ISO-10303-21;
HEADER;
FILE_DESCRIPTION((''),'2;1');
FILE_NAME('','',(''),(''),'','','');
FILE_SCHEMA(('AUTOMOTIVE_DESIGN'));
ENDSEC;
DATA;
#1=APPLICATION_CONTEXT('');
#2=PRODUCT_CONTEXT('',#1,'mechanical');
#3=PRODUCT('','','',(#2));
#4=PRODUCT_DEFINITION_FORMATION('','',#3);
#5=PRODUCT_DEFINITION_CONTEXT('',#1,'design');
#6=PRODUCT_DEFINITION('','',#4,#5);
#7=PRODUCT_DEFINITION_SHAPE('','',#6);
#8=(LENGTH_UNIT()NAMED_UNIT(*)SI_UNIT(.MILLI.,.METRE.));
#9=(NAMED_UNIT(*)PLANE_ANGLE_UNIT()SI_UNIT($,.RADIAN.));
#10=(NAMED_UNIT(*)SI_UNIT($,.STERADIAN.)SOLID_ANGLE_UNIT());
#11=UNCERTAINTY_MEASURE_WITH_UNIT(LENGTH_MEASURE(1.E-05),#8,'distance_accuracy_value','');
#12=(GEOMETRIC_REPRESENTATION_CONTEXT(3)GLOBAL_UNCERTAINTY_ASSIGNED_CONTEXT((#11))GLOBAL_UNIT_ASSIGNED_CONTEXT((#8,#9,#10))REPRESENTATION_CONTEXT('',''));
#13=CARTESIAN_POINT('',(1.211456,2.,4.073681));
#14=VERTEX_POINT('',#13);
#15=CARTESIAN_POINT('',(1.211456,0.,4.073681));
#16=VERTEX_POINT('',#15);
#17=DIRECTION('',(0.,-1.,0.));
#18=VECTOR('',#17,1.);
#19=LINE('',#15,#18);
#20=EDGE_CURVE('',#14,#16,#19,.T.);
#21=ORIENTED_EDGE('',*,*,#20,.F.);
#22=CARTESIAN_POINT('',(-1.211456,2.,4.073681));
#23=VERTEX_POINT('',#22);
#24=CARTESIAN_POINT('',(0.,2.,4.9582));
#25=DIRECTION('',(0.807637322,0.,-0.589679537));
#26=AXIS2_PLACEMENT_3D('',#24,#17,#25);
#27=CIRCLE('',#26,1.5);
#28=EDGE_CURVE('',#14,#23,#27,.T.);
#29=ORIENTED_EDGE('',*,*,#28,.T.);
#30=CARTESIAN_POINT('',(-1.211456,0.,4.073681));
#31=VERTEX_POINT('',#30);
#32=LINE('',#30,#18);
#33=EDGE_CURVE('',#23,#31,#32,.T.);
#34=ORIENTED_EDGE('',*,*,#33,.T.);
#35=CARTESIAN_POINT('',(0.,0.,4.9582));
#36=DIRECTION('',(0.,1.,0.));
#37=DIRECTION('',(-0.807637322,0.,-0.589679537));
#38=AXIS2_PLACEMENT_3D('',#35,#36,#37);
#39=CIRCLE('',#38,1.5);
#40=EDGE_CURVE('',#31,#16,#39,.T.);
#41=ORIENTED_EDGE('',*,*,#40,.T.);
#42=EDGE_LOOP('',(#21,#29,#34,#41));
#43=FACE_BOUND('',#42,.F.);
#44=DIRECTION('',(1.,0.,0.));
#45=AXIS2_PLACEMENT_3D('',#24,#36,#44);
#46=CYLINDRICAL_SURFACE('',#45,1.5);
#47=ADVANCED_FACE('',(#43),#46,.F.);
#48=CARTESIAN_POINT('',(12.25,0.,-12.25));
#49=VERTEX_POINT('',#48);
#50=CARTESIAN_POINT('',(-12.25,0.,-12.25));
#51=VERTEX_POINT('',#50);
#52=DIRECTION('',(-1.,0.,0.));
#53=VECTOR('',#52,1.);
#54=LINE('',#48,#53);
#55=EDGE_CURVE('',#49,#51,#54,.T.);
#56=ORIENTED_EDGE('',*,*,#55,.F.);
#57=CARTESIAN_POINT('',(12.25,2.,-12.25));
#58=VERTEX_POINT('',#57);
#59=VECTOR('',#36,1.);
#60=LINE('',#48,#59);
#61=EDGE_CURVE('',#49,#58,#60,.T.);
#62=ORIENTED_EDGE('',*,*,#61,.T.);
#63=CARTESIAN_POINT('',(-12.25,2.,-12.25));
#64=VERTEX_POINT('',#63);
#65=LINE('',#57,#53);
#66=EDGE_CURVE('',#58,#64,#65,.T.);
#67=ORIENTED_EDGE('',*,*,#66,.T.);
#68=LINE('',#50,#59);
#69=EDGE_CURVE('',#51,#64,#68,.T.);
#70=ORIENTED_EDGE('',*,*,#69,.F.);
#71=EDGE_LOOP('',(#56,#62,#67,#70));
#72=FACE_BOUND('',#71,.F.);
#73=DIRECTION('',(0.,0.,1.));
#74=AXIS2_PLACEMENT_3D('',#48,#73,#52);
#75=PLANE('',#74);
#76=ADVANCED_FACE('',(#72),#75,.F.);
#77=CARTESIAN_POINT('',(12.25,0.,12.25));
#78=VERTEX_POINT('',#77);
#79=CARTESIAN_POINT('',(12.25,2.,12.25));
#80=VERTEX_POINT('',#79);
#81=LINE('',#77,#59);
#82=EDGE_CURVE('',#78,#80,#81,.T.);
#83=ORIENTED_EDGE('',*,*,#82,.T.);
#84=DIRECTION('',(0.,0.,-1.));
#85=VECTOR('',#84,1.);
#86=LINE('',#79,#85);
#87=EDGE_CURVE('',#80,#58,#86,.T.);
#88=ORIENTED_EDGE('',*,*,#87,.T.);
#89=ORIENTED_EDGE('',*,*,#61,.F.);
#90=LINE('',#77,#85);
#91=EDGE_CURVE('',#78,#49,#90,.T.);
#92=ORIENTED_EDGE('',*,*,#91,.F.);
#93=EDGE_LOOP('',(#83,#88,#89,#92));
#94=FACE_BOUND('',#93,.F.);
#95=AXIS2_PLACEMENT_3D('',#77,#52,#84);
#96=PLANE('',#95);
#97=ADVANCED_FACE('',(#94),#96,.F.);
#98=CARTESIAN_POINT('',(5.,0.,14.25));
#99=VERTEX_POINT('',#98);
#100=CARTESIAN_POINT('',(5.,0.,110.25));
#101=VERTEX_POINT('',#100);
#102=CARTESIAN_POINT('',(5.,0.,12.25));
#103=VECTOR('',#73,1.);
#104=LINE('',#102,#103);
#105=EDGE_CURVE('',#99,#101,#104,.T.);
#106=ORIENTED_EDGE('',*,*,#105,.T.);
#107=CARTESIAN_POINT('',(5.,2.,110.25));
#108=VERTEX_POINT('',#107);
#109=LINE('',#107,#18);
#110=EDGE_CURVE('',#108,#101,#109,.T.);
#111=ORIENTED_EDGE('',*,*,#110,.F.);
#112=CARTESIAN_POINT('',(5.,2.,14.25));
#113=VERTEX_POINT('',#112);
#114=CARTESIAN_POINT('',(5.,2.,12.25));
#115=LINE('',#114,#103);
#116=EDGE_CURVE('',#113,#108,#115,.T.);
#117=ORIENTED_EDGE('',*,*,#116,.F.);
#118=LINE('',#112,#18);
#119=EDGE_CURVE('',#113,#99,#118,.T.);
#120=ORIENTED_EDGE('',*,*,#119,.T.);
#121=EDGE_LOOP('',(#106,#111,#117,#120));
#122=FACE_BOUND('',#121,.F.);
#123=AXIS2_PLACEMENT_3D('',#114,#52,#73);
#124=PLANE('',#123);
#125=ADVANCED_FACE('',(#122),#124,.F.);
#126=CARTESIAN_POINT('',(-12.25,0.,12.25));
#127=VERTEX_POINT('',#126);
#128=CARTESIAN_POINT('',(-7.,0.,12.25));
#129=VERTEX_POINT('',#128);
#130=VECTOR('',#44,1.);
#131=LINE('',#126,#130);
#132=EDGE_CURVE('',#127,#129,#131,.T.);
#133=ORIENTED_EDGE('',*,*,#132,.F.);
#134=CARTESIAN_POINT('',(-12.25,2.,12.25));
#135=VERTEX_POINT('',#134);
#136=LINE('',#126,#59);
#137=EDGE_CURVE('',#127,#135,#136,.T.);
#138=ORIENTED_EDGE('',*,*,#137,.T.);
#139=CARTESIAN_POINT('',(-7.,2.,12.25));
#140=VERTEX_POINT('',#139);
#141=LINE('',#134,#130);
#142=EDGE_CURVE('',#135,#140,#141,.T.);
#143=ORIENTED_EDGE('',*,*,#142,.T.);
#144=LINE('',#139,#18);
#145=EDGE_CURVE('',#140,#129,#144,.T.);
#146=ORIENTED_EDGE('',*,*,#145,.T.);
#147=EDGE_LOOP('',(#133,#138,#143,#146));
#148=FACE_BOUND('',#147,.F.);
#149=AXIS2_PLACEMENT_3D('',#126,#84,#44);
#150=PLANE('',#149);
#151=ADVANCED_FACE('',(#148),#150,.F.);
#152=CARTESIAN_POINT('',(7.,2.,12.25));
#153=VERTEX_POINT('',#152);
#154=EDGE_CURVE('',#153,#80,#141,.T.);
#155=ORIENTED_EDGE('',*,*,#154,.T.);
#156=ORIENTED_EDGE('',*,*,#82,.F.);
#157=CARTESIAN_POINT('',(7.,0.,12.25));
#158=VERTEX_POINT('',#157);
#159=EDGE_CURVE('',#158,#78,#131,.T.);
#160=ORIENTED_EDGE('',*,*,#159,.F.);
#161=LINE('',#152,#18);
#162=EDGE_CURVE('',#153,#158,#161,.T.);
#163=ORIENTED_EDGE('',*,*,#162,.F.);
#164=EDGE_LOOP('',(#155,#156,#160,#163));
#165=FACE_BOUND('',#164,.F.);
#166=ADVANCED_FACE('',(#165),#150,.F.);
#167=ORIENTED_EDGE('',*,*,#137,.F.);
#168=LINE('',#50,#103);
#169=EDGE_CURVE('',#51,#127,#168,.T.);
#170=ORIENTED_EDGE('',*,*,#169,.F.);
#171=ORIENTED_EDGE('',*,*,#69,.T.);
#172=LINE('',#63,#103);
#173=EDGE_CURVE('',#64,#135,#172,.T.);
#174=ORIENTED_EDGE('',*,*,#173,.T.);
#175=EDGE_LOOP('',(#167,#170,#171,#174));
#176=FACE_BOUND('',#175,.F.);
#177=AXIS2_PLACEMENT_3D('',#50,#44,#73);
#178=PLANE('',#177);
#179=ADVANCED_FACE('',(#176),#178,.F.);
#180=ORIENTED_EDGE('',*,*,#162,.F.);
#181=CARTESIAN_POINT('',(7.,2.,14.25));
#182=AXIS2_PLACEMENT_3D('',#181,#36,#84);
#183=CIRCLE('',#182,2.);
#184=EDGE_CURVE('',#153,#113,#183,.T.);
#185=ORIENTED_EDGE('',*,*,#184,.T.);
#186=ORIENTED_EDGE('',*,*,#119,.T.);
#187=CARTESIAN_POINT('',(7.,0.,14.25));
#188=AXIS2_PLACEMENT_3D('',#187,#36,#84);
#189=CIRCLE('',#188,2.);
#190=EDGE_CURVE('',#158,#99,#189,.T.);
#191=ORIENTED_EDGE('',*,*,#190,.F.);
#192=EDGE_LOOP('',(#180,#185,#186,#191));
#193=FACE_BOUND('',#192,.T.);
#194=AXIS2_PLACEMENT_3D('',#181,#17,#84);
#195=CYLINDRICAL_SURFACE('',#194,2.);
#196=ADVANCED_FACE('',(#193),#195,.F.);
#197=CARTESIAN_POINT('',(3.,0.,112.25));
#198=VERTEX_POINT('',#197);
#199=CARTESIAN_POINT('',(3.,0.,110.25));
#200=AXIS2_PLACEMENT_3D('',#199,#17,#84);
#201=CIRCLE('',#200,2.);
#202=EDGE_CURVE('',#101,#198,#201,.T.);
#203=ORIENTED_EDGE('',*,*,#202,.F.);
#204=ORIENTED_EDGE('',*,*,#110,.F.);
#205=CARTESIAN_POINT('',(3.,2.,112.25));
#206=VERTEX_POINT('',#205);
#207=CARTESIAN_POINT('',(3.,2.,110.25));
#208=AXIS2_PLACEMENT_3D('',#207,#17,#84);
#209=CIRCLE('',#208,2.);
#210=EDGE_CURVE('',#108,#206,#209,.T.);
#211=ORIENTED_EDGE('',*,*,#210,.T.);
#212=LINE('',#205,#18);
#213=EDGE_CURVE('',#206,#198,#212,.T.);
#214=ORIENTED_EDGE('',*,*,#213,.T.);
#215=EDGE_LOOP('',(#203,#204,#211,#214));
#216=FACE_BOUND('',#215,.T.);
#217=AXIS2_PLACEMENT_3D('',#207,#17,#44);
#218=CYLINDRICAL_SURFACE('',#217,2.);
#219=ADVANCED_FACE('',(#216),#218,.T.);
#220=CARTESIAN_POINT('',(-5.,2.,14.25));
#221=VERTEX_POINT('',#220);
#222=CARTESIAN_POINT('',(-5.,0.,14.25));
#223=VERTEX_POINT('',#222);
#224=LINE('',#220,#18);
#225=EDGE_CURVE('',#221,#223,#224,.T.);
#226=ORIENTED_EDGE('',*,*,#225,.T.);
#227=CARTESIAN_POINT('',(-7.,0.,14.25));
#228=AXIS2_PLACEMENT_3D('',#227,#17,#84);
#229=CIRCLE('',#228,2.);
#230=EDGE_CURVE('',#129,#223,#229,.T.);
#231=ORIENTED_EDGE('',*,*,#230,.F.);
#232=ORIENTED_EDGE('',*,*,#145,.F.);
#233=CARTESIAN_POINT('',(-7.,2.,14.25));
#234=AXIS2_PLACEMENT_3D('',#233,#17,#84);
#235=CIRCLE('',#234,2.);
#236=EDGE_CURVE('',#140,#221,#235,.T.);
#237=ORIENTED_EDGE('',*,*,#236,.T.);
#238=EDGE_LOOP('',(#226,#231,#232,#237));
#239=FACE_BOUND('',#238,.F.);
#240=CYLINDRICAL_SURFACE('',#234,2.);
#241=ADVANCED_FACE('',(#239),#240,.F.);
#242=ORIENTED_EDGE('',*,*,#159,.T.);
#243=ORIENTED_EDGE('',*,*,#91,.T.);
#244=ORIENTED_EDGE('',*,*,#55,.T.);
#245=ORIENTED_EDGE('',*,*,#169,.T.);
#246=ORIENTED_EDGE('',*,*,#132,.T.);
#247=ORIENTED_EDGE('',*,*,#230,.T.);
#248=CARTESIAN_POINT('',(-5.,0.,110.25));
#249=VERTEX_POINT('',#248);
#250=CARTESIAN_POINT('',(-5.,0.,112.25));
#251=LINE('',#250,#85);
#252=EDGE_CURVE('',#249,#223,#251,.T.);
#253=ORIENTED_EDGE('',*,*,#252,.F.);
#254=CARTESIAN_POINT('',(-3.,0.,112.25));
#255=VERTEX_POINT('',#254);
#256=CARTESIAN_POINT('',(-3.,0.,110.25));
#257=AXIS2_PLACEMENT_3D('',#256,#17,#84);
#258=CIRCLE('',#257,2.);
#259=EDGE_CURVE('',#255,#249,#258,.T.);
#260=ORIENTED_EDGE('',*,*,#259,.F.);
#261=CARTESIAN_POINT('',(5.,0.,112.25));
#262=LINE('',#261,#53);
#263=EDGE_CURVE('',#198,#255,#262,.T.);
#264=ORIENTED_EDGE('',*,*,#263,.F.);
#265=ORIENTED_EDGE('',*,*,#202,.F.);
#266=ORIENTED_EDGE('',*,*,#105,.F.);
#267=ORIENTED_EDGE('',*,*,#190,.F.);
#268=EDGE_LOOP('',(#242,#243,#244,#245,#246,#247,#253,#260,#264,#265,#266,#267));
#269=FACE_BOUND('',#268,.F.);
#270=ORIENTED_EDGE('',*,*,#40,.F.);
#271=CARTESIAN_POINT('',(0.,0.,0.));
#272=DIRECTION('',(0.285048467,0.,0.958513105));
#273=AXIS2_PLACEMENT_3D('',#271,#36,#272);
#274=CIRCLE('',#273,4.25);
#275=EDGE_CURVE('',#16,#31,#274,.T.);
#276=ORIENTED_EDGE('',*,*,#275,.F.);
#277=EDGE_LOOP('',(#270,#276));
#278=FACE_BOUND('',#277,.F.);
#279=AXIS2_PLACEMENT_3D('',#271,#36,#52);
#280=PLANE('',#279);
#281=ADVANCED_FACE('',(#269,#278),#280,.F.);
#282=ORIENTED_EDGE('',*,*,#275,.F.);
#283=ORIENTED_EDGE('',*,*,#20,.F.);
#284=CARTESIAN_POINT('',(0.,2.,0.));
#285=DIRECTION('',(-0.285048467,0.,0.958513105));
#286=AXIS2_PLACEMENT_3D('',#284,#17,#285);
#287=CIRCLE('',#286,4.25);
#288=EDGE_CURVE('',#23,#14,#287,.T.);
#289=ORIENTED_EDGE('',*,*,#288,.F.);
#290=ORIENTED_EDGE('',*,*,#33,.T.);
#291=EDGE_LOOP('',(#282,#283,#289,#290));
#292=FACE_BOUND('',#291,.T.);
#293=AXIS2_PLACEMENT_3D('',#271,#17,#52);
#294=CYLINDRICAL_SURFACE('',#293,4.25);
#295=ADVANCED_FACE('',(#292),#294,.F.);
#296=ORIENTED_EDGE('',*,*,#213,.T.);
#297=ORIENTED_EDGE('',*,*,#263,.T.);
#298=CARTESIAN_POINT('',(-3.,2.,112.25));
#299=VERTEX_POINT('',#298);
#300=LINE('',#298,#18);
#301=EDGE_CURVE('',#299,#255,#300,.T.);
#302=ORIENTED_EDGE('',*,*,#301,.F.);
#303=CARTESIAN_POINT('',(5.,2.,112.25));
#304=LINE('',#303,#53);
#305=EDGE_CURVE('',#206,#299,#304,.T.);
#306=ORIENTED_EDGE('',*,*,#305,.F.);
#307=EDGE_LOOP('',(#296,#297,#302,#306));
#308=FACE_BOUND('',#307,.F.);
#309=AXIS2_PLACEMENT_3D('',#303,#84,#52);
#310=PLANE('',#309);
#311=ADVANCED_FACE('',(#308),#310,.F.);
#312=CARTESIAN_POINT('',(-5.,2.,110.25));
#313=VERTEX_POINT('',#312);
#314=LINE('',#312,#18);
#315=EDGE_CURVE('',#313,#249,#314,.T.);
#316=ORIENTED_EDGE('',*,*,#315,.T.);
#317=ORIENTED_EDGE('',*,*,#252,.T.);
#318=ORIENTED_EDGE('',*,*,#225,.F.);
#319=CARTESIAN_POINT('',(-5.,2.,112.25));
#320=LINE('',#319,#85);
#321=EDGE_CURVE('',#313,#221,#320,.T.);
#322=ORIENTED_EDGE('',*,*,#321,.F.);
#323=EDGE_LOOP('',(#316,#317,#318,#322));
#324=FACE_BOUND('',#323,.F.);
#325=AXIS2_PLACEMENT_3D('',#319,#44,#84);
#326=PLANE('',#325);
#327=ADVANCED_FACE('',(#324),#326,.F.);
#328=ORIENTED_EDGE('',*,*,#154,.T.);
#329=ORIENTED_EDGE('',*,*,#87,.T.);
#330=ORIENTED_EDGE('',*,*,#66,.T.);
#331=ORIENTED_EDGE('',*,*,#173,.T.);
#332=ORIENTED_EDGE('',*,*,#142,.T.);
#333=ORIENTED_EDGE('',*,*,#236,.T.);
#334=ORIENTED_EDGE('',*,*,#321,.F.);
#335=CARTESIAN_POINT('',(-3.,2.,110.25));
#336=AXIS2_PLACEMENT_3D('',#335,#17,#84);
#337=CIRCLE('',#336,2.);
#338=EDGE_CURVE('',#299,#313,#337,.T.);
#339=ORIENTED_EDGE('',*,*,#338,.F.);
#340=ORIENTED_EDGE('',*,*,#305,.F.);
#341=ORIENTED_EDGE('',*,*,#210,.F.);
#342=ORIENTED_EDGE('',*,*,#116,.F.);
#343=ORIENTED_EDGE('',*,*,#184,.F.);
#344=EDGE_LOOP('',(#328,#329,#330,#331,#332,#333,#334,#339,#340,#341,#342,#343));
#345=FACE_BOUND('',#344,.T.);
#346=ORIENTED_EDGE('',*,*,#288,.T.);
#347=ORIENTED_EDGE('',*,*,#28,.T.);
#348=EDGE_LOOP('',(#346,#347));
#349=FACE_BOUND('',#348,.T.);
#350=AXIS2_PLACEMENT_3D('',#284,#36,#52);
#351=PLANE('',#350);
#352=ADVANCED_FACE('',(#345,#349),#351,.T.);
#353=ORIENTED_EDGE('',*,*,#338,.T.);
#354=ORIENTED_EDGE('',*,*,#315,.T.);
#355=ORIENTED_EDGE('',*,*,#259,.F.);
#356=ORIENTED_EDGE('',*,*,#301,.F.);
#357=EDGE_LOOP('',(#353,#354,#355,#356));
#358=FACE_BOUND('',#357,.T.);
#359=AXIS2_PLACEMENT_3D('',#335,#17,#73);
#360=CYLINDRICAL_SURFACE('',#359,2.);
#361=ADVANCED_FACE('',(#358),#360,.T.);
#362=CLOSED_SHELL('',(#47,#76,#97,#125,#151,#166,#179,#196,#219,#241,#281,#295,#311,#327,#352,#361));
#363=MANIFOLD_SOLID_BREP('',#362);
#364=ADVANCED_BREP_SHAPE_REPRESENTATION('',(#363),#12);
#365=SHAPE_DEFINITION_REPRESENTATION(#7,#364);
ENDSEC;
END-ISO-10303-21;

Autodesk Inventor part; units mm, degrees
ref_plane "YZ Plane" through (0, 0, 0) normal (1, 0, 0) x (0, 1, 0)
ref_plane "XZ Plane" through (0, 0, 0) normal (0, 1, 0) x (-1, 0, 0)
ref_plane "XY Plane" through (0, 0, 0) normal (0, 0, 1) x (1, 0, 0)
sketch "Sketch1" plane through (0, 0, 0) normal (0, 1, 0) x (-1, 0, 0)
  circle A0 centre (0, 0) radius 4.25
  line L0 (-12.25, -12.25) -> (12.25, -12.25)
  line L1 (12.25, -12.25) -> (12.25, 12.25)
  line L2 (12.25, 12.25) -> (-12.25, 12.25)
  line L3 (-12.25, 12.25) -> (-12.25, -12.25)
  line L4 (-12.25, -12.25) -> (12.25, 12.25) construction
  line L5 (12.25, -12.25) -> (-12.25, 12.25) construction
  dimension "d0" = 24.5
  dimension "d1" = 8.5
extrude "Extrusion1" add sketch "Sketch1" along normal blind 2
sketch "Sketch2" plane through (0, 2, 0) normal (0, 1, 0) x (1, 0, 0)
  circle A0 centre (0, -4.9582) radius 1.5
  point P0 (0, 0)
  dimension "d4" = 3
extrude "Extrusion2" cut sketch "Sketch2" against normal blind 3
sketch "Sketch3" plane through (0, 2, 0) normal (0, 1, 0) x (1, 0, 0)
  line L0 (-12.25, -12.25) -> (12.25, -12.25) projected
  line L1 (5, -112.25) -> (-5, -112.25)
  line L2 (-5, -112.25) -> (-5, -12.25)
  line L3 (-5, -12.25) -> (5, -12.25)
  line L4 (5, -12.25) -> (5, -112.25)
  line L5 (5, -112.25) -> (-5, -12.25) construction
  line L6 (-5, -112.25) -> (5, -12.25) construction
  point P0 (0, 0)
  point P1 (0, -62.25)
  point P2 (0, -62.25)
  point P3 (5, -12.25)
  dimension "d7" = 100
  dimension "d8" = 10
extrude "Extrusion3" add sketch "Sketch3" against normal up to surface (2 mm away)
fillet "Fillet1" radius 2 4 edges at (5, 1, 12.25) (-5, 1, 12.25) (5, 1, 112.25) (-5, 1, 112.25)
equation "\"d5\" = d4"
properties part number "pb_hole_stick" material "Lead"
